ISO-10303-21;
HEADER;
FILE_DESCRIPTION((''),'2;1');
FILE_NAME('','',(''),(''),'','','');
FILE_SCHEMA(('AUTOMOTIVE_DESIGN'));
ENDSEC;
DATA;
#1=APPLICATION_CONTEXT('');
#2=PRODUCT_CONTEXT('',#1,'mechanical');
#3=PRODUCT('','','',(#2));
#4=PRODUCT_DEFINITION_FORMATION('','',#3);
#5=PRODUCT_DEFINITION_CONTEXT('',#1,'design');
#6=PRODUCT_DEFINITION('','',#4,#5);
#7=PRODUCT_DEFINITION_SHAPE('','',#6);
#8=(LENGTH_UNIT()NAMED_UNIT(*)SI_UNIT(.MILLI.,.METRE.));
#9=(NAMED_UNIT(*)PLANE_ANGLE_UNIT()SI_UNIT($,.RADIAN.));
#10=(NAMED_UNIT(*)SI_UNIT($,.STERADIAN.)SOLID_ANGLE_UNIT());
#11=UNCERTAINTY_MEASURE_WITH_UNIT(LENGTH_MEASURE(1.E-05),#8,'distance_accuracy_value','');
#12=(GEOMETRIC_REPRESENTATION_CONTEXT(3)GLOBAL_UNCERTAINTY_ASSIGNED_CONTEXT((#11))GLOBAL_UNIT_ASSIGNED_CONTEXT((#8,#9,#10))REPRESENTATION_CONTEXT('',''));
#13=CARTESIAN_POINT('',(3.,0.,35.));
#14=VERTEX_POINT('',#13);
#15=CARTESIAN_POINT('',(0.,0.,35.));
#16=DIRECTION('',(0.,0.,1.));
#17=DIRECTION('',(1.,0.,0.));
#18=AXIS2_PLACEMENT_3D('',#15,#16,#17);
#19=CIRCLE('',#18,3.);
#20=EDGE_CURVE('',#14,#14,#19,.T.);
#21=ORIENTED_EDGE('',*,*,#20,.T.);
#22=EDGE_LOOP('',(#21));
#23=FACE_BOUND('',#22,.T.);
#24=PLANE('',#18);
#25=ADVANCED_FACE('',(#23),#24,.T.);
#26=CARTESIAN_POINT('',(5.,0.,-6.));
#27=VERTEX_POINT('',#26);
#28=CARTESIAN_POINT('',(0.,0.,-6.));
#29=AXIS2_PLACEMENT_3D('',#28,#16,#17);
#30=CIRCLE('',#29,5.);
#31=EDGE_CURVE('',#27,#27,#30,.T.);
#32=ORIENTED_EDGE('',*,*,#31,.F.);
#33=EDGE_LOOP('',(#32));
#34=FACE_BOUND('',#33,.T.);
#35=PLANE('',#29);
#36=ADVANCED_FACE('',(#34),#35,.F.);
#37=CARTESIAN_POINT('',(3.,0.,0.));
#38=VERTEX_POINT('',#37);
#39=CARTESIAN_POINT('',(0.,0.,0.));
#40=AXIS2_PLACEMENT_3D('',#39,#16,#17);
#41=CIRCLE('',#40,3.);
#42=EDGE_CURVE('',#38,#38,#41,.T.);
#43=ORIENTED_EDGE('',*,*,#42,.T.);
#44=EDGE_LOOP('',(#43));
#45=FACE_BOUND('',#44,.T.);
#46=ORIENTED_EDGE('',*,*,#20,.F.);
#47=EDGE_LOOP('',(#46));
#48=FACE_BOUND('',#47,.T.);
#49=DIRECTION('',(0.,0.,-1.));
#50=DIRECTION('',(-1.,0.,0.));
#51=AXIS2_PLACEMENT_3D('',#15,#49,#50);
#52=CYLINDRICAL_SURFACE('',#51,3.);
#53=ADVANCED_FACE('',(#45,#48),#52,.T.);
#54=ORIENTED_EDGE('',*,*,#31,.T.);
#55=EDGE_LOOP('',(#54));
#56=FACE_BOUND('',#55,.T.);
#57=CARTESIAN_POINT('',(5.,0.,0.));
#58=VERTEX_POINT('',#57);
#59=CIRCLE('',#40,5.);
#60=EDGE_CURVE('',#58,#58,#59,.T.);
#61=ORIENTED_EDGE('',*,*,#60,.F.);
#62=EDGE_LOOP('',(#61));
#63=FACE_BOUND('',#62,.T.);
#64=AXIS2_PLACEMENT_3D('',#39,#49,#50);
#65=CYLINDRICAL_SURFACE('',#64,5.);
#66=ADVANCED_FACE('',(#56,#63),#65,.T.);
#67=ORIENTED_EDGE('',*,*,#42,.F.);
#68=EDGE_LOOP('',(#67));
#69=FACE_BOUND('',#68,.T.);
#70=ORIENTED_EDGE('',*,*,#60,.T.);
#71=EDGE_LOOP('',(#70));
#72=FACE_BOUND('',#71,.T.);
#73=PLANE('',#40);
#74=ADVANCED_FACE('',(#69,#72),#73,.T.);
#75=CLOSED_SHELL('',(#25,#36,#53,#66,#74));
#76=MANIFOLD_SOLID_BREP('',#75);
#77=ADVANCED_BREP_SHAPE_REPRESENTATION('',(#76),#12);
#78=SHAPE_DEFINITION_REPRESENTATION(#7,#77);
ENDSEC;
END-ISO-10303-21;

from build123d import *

# Parameters (mm, degrees)
HEAD_ENVELOPE_START         = -6
SKETCH1_R                   = 5
HEAD_ENVELOPE_DEPTH         = 6
SKETCH2_R                   = 3
THREAD_MAJOR_ENVELOPE_DEPTH = 35


with BuildPart() as part:
    # Sketch1 → Head_Envelope (new body)
    with BuildSketch(Plane.XY.offset(HEAD_ENVELOPE_START)):
        Circle(SKETCH1_R)
    extrude(amount=HEAD_ENVELOPE_DEPTH)

    # Sketch2 → Thread_Major_Envelope (add)
    with BuildSketch(Plane.XY):
        Circle(SKETCH2_R)
    extrude(amount=THREAD_MAJOR_ENVELOPE_DEPTH)


solid = part.part
